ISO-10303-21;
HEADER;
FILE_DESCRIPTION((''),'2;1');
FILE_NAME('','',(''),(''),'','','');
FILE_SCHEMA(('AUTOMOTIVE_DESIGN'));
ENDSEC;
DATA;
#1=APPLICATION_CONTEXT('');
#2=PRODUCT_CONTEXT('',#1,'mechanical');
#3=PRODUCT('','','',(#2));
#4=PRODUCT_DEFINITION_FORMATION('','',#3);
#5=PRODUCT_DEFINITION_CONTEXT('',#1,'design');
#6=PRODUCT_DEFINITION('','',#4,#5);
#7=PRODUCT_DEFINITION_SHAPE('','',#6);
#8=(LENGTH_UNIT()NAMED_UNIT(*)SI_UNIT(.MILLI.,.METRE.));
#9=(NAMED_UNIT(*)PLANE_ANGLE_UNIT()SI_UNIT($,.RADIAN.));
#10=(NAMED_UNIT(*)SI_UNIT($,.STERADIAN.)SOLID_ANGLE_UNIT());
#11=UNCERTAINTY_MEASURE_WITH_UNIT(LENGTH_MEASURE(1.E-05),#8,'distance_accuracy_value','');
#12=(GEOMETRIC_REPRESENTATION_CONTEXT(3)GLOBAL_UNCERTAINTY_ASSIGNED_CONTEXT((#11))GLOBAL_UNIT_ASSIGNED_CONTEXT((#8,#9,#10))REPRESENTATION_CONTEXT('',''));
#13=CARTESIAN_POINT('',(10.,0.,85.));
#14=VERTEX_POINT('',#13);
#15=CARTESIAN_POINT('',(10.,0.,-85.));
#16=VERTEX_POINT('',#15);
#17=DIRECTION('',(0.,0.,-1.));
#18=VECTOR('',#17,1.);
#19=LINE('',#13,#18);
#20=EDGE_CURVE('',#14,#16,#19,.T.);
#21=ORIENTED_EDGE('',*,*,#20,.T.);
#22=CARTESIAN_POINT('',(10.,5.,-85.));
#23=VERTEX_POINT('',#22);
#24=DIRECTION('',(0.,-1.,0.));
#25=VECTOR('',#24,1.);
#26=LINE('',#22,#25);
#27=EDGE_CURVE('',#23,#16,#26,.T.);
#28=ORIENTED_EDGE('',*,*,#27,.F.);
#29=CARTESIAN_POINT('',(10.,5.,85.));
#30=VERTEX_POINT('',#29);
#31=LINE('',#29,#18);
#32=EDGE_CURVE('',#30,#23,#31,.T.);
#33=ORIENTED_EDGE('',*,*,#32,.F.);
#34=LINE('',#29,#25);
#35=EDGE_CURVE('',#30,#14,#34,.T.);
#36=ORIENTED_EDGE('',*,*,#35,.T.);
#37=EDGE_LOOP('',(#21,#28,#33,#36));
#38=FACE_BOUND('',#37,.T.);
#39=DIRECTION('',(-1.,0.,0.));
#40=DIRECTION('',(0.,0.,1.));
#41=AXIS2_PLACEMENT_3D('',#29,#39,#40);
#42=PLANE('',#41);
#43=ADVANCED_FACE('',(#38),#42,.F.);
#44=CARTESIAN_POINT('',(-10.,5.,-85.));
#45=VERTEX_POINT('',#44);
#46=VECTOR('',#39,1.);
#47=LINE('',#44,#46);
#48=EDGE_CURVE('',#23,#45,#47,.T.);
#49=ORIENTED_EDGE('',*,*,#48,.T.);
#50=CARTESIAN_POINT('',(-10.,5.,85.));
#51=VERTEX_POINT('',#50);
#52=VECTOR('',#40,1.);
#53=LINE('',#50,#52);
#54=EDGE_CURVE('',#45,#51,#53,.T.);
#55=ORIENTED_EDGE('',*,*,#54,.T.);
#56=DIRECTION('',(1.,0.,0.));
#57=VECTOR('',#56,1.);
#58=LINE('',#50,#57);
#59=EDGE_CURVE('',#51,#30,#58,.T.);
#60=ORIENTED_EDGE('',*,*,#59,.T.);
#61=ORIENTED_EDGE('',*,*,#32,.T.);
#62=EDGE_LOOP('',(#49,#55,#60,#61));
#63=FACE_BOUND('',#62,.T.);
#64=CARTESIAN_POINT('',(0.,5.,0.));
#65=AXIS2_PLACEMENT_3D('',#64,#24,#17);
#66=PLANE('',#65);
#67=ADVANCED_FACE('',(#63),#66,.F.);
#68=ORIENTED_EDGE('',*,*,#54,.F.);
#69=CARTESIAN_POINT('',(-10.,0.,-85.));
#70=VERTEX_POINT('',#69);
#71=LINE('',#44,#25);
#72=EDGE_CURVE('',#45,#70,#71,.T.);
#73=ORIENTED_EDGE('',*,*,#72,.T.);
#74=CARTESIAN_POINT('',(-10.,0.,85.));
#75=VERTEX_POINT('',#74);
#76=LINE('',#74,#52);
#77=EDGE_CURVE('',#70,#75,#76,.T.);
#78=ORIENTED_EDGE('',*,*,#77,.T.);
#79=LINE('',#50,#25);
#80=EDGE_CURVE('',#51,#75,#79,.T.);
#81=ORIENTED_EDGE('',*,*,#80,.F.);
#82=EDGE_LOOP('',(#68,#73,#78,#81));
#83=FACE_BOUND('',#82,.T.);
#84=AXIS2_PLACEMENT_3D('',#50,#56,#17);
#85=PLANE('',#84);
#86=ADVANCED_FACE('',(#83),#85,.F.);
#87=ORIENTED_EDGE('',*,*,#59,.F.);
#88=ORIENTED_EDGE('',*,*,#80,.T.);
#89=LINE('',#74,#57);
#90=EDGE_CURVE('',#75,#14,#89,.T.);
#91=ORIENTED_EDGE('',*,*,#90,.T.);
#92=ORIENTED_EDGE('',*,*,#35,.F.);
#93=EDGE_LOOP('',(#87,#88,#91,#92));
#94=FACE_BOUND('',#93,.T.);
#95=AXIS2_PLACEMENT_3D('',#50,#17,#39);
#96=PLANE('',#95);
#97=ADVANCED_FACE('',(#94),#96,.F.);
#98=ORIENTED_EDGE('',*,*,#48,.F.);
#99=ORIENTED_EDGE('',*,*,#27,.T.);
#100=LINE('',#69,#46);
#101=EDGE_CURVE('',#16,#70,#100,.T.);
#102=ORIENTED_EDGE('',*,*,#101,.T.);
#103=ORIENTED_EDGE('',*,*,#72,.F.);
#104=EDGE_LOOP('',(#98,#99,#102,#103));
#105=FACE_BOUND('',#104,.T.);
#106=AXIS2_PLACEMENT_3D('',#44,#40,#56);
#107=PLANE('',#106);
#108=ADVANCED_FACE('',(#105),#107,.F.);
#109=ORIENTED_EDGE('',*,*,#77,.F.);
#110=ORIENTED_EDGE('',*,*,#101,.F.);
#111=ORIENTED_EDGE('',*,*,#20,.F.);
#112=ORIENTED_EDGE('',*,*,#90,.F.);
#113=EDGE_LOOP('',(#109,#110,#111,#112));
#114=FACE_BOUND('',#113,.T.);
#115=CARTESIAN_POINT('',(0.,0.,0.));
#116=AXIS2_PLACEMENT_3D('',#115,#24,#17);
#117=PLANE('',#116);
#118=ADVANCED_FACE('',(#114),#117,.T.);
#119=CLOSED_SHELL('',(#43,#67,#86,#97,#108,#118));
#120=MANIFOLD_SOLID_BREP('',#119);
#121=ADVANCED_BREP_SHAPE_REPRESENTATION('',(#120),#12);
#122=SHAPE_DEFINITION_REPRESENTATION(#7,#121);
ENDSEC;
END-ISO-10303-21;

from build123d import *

# Parameters (mm, degrees)
SZKIC1_W                    = 20
SZKIC1_H                    = 170
DODANIE_WYCI_GNI_CIE1_DEPTH = 5


with BuildPart() as part:
    # Szkic1 → Dodanie-wyciągnięcie1 (new body)
    with BuildSketch(Plane(origin=(0, 0, 0), x_dir=(1, 0, 0), z_dir=(0, 1, 0))):
        Rectangle(SZKIC1_W, SZKIC1_H)
    extrude(amount=DODANIE_WYCI_GNI_CIE1_DEPTH)


solid = part.part
